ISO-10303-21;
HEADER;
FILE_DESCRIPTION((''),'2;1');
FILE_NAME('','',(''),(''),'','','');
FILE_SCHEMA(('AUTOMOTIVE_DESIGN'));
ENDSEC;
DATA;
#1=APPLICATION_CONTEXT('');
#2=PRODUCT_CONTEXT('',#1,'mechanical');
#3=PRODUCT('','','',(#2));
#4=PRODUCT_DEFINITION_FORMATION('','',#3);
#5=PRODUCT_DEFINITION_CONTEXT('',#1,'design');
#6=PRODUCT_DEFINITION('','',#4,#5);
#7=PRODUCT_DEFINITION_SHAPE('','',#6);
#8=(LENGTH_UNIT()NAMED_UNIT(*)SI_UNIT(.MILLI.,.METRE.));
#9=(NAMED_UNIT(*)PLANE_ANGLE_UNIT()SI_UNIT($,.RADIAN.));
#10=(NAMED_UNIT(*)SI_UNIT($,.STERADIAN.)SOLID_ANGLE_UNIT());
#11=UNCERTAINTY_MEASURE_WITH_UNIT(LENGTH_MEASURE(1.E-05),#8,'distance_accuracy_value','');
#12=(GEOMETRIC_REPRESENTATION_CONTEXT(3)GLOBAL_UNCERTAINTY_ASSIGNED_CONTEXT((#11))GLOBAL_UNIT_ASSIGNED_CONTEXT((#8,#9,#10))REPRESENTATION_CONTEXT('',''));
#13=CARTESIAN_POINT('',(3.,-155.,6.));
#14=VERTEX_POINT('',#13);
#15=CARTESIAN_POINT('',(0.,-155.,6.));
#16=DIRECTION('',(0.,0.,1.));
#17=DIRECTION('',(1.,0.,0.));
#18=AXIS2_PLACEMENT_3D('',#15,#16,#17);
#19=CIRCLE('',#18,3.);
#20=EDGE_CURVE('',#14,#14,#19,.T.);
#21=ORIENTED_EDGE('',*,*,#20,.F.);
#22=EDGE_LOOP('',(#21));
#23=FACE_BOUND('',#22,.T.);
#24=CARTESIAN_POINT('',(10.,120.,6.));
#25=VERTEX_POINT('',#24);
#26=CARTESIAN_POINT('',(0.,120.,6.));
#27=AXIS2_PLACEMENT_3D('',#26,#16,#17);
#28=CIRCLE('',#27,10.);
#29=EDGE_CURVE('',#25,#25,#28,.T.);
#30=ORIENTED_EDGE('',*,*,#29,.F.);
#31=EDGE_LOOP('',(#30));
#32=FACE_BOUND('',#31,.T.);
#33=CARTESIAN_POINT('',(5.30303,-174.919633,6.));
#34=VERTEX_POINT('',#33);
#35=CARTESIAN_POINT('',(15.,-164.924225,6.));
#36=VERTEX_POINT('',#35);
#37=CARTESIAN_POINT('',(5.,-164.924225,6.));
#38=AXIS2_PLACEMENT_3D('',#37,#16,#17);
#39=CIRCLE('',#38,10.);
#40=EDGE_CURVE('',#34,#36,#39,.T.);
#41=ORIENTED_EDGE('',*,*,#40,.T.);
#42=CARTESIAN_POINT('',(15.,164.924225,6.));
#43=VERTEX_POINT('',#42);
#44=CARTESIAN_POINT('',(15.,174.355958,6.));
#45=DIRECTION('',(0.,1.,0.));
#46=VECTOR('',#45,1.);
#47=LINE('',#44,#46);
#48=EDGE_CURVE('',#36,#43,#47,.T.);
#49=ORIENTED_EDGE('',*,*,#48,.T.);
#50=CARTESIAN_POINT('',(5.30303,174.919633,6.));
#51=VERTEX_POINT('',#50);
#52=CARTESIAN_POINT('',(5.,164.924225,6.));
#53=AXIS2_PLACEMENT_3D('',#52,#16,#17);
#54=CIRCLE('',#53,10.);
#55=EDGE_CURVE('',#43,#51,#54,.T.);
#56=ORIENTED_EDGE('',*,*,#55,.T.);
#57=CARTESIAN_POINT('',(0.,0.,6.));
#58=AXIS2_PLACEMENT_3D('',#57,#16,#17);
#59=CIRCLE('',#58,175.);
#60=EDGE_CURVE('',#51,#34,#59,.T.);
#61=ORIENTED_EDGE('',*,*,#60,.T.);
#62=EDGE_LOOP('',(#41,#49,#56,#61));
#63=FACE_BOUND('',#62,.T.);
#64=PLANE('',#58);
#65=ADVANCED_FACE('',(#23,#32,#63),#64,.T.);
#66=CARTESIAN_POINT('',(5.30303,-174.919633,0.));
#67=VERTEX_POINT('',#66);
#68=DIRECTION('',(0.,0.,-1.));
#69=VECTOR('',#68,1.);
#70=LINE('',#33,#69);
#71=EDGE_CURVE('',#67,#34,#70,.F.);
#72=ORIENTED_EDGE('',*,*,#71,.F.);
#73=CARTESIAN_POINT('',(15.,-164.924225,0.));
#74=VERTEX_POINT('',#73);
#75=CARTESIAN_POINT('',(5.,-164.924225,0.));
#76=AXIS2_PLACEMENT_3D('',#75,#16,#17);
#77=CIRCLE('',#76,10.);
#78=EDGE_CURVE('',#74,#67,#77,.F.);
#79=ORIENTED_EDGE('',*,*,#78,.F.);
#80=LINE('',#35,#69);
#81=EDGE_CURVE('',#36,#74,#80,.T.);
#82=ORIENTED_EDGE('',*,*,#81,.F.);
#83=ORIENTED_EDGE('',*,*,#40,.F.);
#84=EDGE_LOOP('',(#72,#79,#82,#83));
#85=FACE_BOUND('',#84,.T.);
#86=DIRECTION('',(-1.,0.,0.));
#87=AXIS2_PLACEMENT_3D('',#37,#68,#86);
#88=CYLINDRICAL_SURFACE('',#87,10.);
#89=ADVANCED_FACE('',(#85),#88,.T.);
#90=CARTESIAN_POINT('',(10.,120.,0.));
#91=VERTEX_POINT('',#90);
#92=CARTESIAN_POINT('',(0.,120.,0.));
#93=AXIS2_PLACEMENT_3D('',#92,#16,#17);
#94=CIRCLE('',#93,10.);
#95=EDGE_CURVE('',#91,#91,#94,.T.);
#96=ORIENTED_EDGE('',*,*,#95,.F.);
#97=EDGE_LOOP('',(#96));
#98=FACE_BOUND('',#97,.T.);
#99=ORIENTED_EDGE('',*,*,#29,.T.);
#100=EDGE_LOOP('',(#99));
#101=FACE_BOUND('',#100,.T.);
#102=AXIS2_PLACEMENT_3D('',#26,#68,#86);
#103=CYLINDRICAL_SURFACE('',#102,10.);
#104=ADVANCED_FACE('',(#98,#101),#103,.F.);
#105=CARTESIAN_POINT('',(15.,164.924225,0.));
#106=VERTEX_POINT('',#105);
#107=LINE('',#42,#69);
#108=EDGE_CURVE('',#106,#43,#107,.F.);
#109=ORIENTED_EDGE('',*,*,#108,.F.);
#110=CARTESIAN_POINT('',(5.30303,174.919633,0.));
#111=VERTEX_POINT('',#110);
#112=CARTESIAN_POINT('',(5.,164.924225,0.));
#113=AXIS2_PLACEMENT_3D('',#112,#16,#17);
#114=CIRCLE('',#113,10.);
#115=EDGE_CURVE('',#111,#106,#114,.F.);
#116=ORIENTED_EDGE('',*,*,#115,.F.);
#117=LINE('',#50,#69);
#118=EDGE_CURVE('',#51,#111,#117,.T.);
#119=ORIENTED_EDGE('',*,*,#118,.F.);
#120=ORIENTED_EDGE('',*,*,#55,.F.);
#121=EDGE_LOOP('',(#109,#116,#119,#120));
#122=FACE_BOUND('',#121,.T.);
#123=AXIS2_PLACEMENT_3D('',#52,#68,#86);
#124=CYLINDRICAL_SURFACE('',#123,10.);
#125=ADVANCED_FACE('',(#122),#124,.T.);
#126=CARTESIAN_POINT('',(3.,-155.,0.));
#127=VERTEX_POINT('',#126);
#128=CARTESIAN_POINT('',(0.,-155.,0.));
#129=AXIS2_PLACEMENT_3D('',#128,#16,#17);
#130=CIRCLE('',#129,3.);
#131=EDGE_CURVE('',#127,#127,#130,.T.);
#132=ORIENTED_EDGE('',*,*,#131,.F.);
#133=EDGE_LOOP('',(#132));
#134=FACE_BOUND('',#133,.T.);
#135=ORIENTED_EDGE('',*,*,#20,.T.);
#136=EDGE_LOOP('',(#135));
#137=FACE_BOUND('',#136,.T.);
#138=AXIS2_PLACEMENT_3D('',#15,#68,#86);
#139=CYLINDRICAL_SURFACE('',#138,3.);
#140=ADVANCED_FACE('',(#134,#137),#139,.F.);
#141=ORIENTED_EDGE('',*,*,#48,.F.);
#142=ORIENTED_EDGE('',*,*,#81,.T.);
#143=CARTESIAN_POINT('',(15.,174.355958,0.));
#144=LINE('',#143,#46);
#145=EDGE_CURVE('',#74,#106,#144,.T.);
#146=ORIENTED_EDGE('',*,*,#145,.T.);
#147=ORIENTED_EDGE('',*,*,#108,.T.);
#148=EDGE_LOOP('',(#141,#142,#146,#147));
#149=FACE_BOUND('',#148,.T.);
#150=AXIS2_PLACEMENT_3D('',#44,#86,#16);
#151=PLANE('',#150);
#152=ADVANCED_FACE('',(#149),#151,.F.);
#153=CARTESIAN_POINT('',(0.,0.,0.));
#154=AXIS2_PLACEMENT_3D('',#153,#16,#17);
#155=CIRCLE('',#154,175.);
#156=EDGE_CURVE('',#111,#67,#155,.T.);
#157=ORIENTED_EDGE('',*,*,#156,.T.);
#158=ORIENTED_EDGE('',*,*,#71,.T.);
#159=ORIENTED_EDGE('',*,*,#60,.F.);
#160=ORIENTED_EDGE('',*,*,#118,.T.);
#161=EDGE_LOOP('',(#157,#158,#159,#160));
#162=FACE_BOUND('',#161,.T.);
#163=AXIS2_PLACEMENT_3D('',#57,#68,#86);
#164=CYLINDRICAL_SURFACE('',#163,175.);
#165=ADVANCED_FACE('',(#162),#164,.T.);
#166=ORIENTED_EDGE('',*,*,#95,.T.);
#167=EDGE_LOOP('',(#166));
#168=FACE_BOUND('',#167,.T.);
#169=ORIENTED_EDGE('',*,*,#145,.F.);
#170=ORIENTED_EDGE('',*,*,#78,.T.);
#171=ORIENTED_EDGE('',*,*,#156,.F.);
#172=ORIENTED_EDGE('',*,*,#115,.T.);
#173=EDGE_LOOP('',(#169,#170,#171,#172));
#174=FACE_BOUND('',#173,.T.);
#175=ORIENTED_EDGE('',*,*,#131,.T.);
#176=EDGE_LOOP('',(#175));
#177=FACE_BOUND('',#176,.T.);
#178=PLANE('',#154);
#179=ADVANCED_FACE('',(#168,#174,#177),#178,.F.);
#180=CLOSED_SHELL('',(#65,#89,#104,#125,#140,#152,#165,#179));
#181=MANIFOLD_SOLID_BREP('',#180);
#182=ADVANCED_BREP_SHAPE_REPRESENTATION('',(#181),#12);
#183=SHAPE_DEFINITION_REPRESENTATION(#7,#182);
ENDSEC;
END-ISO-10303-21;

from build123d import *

# Parameters (mm, degrees)
SKETCH1_R           = 10
SKETCH1_R_2         = 3
BOSS_EXTRUDE1_DEPTH = 6
FILLET1_R           = 10


with BuildPart() as part:
    # Sketch1 → Boss-Extrude1 (new body)
    with BuildSketch(Plane.XY):
        with BuildLine():
            Line((15, 174.355957742), (15, -174.355957742))
            ThreePointArc((15, -174.355957742), (-175, 0), (15, 174.355957742))
        make_face()
        with Locations((0, 120)):
            Circle(SKETCH1_R, mode=Mode.SUBTRACT)
        with Locations((0, -155)):
            Circle(SKETCH1_R_2, mode=Mode.SUBTRACT)
    extrude(amount=BOSS_EXTRUDE1_DEPTH)

    # Fillet1
    fillet1_edges = [part.edges().sort_by_distance(p)[0] for p in [
        (15, 174.355957742, 3),
        (15, -174.355957742, 3),
    ]]
    fillet(fillet1_edges, radius=FILLET1_R)


solid = part.part
